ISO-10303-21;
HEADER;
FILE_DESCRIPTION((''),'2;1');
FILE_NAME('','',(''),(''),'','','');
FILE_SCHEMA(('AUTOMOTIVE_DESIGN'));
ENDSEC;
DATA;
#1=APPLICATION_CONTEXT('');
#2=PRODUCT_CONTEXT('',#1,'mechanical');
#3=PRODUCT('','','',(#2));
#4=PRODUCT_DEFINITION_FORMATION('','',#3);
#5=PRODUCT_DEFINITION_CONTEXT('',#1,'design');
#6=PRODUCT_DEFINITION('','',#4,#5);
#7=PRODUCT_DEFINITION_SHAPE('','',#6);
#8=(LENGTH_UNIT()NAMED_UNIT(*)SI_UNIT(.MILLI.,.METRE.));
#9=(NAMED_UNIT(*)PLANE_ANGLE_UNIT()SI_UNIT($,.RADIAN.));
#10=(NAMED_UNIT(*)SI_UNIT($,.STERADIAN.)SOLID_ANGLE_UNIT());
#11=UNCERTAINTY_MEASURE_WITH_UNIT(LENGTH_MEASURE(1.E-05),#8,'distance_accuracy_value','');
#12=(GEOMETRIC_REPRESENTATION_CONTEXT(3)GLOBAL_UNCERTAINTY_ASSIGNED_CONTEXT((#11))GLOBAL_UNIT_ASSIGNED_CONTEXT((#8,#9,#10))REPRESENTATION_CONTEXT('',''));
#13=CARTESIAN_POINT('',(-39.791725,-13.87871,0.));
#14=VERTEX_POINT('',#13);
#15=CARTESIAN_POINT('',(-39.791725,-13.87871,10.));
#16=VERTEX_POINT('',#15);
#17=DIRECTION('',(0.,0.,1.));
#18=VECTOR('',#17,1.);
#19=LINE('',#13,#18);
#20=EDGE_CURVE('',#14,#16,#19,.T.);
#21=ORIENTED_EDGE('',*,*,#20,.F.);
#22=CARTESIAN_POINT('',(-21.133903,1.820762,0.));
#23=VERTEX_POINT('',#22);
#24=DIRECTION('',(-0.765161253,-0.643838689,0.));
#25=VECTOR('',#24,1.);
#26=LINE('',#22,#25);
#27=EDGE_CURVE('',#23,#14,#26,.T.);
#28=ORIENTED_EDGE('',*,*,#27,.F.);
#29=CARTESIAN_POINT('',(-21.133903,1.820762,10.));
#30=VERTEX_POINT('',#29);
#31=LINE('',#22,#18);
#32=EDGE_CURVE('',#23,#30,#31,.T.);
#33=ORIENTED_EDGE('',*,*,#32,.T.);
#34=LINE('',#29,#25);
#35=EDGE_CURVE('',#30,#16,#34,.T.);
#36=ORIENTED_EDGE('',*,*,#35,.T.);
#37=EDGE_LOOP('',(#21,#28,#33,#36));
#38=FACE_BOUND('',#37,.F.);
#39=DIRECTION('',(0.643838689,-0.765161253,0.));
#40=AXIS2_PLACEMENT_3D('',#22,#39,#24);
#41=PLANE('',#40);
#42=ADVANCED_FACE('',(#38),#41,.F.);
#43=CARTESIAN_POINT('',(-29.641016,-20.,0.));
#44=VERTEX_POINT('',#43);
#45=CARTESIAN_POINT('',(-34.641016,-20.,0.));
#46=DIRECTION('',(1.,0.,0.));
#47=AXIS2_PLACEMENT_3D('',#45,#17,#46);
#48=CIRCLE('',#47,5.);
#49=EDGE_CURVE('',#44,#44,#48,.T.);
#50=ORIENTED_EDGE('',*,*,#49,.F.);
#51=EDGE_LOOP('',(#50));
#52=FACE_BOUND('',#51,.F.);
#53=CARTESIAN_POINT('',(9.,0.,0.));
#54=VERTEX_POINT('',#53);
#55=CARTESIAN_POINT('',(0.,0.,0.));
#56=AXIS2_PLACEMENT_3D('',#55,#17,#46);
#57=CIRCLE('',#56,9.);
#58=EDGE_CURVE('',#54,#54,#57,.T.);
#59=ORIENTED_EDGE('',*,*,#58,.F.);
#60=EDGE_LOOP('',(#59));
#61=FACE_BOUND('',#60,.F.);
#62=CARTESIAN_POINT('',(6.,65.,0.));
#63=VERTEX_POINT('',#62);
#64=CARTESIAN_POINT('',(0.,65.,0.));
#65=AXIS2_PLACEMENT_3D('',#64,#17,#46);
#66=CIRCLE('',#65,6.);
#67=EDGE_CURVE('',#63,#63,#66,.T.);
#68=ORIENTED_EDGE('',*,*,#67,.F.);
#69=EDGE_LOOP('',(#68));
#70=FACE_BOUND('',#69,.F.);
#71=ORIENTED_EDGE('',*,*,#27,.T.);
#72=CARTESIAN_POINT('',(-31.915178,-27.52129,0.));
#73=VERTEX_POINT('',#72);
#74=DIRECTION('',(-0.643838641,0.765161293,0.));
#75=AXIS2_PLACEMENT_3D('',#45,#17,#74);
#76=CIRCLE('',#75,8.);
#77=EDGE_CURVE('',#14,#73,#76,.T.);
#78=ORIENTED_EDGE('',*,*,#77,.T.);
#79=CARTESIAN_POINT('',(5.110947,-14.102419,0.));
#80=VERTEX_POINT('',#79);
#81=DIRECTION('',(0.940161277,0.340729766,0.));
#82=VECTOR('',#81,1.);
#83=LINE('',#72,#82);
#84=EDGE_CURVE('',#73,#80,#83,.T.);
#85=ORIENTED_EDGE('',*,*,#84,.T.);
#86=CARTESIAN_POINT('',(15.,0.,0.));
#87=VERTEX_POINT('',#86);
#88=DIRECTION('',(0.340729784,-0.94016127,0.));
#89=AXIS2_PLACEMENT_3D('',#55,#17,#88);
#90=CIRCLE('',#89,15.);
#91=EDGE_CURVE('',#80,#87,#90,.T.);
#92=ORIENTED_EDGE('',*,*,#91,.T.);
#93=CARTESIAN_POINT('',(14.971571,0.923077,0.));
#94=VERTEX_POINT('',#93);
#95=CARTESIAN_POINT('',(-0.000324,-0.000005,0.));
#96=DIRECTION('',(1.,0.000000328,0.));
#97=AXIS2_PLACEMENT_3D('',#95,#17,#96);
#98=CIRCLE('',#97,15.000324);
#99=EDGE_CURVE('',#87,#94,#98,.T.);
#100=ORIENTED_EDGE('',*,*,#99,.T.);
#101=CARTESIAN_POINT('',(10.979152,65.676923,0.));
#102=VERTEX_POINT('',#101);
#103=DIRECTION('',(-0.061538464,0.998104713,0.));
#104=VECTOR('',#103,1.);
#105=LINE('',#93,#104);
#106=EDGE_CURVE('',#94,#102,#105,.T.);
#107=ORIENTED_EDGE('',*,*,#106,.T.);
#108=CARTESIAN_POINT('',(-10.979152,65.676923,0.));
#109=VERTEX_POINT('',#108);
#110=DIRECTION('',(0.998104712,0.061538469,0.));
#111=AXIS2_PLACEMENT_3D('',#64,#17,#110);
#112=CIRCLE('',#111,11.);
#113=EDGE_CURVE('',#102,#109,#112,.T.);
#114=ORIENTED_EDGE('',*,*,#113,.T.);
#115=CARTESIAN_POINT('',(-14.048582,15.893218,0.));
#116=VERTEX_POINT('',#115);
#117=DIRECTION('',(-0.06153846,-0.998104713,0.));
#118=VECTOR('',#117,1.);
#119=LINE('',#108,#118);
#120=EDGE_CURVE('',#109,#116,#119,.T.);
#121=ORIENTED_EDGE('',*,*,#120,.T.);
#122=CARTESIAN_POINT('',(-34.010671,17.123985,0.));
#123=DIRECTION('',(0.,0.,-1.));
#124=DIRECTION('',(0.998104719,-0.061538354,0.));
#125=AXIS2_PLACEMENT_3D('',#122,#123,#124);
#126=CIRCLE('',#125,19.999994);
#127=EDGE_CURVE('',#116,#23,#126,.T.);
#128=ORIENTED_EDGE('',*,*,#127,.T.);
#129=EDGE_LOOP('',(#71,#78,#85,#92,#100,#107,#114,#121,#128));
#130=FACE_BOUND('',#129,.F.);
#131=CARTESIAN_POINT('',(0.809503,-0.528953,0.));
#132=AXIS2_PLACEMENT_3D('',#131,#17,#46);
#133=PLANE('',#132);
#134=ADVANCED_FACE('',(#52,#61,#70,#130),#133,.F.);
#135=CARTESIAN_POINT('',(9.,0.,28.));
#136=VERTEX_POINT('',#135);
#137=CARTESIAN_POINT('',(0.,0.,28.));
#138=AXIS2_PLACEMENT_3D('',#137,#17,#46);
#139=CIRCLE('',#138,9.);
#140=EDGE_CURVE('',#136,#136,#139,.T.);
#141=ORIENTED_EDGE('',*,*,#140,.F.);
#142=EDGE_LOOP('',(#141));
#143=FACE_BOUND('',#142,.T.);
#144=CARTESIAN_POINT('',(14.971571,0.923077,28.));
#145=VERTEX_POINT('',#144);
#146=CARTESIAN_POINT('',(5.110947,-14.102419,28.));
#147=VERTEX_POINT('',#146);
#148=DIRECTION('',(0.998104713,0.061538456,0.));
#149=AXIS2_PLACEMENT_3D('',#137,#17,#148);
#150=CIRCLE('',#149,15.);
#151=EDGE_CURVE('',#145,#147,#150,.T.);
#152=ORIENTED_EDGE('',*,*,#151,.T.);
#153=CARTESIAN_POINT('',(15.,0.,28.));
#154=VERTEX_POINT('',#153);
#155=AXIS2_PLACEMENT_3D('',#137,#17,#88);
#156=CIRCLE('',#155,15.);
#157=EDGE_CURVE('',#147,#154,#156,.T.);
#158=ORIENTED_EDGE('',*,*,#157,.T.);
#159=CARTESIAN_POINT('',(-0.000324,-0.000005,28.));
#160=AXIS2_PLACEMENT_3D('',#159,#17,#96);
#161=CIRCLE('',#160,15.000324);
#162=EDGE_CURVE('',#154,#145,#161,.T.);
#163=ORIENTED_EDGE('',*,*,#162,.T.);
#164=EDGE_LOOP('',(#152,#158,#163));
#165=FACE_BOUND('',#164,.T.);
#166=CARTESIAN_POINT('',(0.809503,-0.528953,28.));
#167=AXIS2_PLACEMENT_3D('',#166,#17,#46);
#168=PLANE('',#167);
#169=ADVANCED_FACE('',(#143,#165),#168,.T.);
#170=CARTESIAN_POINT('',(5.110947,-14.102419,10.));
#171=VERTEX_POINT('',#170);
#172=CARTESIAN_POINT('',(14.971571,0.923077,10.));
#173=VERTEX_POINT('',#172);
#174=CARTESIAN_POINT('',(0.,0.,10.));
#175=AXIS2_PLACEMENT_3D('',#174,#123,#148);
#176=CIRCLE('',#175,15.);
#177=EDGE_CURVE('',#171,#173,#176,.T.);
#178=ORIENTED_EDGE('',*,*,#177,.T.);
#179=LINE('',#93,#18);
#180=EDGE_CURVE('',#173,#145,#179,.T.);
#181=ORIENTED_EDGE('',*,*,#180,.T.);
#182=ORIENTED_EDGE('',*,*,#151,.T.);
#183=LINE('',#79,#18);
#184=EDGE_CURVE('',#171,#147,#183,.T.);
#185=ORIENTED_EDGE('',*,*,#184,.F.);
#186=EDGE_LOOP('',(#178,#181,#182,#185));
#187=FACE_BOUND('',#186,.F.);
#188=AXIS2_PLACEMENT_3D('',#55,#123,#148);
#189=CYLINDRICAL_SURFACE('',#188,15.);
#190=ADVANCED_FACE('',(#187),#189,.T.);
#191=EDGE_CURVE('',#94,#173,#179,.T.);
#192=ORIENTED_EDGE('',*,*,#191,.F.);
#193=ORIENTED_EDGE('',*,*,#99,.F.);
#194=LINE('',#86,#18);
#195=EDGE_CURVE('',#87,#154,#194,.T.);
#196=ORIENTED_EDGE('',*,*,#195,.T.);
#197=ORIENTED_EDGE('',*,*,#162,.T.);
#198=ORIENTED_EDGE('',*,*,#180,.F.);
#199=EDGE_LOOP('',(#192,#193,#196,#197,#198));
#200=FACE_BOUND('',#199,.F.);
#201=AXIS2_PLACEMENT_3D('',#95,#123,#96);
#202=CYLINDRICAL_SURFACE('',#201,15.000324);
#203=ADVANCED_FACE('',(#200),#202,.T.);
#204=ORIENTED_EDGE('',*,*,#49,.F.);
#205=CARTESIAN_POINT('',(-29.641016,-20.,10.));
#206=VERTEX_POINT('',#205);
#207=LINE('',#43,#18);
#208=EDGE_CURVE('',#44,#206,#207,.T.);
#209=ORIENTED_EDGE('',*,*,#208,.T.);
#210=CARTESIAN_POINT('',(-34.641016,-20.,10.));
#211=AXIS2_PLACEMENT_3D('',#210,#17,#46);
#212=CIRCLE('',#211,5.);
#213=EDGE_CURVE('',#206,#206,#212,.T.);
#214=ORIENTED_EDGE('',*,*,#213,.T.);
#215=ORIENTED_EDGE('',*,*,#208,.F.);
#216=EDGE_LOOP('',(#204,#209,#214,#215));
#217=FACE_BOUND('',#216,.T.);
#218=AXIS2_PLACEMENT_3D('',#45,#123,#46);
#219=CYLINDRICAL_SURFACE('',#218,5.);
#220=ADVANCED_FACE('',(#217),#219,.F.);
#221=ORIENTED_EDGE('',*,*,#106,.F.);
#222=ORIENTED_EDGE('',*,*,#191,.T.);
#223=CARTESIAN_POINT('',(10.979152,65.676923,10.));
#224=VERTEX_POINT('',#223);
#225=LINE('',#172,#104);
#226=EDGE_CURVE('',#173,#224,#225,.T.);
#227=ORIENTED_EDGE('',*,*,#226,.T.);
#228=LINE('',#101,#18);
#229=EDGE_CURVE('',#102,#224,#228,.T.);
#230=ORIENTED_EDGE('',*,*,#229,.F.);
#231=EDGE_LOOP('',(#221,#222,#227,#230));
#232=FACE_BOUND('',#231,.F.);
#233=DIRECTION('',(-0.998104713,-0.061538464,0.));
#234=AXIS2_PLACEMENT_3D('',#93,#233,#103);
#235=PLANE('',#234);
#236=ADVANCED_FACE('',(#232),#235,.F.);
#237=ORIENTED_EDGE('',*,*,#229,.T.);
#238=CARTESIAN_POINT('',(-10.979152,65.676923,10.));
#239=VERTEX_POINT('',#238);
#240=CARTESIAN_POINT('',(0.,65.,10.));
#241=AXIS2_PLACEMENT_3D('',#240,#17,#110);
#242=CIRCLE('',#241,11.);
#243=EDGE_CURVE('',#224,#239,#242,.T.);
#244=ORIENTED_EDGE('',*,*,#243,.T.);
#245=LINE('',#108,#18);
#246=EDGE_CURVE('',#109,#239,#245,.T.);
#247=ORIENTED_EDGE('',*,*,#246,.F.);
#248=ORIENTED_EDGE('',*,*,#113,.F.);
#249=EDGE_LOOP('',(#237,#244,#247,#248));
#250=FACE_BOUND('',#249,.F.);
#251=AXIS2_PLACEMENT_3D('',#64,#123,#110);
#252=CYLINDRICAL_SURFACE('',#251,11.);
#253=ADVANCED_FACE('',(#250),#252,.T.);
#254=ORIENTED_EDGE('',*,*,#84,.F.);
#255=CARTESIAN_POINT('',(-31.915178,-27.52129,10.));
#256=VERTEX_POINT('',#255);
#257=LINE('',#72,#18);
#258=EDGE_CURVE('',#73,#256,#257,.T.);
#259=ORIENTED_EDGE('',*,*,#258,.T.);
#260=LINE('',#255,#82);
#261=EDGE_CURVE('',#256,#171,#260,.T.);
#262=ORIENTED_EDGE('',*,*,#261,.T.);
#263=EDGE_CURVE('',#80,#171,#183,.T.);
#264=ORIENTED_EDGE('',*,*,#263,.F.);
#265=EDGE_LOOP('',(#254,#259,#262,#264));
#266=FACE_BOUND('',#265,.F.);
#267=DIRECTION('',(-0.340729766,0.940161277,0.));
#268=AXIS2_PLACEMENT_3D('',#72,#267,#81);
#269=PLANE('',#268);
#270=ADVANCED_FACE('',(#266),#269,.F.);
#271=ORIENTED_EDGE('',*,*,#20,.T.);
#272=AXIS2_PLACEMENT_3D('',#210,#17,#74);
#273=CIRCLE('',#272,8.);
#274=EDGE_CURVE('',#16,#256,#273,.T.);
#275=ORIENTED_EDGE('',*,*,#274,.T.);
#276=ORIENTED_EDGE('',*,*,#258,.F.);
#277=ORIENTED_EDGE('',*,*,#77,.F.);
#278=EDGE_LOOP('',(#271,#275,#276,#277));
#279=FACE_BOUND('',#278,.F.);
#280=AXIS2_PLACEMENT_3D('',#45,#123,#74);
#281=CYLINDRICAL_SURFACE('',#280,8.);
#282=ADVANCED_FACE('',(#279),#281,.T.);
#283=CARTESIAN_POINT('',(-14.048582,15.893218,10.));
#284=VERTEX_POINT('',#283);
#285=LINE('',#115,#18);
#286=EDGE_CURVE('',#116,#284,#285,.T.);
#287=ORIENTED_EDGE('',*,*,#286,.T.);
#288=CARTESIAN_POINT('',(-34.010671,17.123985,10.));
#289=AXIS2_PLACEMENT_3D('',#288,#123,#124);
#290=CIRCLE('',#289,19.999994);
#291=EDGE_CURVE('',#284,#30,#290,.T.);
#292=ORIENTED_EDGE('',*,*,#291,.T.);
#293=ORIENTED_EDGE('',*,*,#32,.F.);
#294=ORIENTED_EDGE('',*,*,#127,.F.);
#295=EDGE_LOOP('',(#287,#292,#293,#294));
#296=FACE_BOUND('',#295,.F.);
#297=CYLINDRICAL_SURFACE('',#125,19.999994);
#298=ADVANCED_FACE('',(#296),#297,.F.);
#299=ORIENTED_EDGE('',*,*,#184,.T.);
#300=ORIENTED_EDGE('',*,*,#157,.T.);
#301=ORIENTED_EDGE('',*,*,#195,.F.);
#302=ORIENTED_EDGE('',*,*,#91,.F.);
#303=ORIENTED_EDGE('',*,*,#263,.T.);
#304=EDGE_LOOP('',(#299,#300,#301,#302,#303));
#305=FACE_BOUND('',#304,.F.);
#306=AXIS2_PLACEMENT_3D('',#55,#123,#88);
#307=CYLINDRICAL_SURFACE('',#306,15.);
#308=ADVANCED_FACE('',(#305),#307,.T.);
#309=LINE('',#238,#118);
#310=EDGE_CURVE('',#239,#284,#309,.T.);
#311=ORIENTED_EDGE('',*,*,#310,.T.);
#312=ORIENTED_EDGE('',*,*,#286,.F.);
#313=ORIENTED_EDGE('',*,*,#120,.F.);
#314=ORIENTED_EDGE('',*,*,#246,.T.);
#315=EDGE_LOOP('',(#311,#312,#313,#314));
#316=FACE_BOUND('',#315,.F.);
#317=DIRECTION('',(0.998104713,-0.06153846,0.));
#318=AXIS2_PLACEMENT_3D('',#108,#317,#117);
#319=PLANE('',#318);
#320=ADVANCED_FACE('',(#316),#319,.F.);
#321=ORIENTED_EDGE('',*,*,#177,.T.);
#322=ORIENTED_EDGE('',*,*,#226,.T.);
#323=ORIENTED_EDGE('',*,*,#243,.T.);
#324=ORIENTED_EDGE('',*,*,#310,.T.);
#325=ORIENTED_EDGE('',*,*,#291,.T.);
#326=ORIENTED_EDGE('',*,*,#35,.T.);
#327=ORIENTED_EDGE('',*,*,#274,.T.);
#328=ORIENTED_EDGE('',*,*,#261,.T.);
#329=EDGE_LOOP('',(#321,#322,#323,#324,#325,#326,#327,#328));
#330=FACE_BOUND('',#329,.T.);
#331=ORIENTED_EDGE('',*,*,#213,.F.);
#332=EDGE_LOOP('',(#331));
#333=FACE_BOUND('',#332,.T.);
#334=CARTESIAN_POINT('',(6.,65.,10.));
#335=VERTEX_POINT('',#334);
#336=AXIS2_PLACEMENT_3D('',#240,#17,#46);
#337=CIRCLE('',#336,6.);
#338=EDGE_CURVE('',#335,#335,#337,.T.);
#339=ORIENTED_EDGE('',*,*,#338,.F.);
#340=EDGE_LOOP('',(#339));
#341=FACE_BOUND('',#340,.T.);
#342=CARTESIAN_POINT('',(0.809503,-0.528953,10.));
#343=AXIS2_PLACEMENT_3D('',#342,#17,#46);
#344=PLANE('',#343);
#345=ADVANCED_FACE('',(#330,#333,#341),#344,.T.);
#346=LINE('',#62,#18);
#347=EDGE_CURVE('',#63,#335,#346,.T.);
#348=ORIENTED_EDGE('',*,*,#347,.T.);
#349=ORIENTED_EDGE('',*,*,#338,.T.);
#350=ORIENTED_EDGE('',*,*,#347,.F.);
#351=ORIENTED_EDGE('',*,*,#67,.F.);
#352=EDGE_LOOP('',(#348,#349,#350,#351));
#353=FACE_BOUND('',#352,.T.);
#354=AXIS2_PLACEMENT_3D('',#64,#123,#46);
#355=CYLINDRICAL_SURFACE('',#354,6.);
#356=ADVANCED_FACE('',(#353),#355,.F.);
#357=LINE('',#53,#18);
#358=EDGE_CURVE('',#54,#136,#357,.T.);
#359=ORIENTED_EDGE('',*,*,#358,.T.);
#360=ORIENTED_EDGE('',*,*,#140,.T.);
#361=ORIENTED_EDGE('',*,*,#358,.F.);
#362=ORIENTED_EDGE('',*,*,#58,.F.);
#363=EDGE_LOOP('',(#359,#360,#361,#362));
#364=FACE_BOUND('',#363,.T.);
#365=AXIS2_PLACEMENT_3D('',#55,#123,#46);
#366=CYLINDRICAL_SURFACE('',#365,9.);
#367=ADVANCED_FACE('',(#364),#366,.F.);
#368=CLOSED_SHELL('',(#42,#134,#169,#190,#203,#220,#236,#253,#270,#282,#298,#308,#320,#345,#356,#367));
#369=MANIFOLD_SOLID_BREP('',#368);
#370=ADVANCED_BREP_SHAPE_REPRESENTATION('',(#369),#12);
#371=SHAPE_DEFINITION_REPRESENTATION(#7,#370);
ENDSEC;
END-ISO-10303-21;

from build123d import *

# Parameters (mm, degrees)
F0_R     = 9
F1_DEPTH = 28
F0_R_2   = 5
F0_R_3   = 6
F2_DEPTH = 10


with BuildPart() as f1:
    # F0 (on Top) → F1 (new body)
    with BuildSketch(Plane.XY):
        with BuildLine():
            ThreePointArc((5.110947, -14.102419), (12.281372, -8.612079), (15, 0))
            ThreePointArc((15, 0), (14.992891, 0.461757), (14.971571, 0.923077))
            ThreePointArc((14.971571, 0.923077), (-12.540664, 8.22993), (5.110947, -14.102419))
        make_face()
        Circle(F0_R, mode=Mode.SUBTRACT)
    extrude(amount=F1_DEPTH)

    # F0 (on Top) → F2 (join)
    with BuildSketch(Plane.XY):
        with BuildLine():
            ThreePointArc((5.110947, -14.102419), (12.281372, -8.612079), (15, 0))
            ThreePointArc((15, 0), (14.992891, 0.461757), (14.971571, 0.923077))
            ThreePointArc((14.971571, 0.923077), (-12.540664, 8.22993), (5.110947, -14.102419))
        make_face()
        Circle(F0_R, mode=Mode.SUBTRACT)
        with BuildLine():
            ThreePointArc((5.110947, -14.102419), (-12.540664, 8.22993), (14.971571, 0.923077))
            Line((14.971571, 0.923077), (10.979152, 65.676923))
            ThreePointArc((10.979152, 65.676923), (0, 76), (-10.979152, 65.676923))
            Line((-10.979152, 65.676923), (-14.048582, 15.893218))
            ThreePointArc((-14.048582, 15.893218), (-16.147129, 8.129895), (-21.133903, 1.820762))
            Line((-21.133903, 1.820762), (-39.791725, -13.87871))
            ThreePointArc((-39.791725, -13.87871), (-41.569219, -24), (-31.915178, -27.52129))
            Line((-31.915178, -27.52129), (5.110947, -14.102419))
        make_face()
        with Locations((-34.641016, -20)):
            Circle(F0_R_2, mode=Mode.SUBTRACT)
        with Locations((0, 65)):
            Circle(F0_R_3, mode=Mode.SUBTRACT)
    extrude(amount=F2_DEPTH)


solid = f1.part
